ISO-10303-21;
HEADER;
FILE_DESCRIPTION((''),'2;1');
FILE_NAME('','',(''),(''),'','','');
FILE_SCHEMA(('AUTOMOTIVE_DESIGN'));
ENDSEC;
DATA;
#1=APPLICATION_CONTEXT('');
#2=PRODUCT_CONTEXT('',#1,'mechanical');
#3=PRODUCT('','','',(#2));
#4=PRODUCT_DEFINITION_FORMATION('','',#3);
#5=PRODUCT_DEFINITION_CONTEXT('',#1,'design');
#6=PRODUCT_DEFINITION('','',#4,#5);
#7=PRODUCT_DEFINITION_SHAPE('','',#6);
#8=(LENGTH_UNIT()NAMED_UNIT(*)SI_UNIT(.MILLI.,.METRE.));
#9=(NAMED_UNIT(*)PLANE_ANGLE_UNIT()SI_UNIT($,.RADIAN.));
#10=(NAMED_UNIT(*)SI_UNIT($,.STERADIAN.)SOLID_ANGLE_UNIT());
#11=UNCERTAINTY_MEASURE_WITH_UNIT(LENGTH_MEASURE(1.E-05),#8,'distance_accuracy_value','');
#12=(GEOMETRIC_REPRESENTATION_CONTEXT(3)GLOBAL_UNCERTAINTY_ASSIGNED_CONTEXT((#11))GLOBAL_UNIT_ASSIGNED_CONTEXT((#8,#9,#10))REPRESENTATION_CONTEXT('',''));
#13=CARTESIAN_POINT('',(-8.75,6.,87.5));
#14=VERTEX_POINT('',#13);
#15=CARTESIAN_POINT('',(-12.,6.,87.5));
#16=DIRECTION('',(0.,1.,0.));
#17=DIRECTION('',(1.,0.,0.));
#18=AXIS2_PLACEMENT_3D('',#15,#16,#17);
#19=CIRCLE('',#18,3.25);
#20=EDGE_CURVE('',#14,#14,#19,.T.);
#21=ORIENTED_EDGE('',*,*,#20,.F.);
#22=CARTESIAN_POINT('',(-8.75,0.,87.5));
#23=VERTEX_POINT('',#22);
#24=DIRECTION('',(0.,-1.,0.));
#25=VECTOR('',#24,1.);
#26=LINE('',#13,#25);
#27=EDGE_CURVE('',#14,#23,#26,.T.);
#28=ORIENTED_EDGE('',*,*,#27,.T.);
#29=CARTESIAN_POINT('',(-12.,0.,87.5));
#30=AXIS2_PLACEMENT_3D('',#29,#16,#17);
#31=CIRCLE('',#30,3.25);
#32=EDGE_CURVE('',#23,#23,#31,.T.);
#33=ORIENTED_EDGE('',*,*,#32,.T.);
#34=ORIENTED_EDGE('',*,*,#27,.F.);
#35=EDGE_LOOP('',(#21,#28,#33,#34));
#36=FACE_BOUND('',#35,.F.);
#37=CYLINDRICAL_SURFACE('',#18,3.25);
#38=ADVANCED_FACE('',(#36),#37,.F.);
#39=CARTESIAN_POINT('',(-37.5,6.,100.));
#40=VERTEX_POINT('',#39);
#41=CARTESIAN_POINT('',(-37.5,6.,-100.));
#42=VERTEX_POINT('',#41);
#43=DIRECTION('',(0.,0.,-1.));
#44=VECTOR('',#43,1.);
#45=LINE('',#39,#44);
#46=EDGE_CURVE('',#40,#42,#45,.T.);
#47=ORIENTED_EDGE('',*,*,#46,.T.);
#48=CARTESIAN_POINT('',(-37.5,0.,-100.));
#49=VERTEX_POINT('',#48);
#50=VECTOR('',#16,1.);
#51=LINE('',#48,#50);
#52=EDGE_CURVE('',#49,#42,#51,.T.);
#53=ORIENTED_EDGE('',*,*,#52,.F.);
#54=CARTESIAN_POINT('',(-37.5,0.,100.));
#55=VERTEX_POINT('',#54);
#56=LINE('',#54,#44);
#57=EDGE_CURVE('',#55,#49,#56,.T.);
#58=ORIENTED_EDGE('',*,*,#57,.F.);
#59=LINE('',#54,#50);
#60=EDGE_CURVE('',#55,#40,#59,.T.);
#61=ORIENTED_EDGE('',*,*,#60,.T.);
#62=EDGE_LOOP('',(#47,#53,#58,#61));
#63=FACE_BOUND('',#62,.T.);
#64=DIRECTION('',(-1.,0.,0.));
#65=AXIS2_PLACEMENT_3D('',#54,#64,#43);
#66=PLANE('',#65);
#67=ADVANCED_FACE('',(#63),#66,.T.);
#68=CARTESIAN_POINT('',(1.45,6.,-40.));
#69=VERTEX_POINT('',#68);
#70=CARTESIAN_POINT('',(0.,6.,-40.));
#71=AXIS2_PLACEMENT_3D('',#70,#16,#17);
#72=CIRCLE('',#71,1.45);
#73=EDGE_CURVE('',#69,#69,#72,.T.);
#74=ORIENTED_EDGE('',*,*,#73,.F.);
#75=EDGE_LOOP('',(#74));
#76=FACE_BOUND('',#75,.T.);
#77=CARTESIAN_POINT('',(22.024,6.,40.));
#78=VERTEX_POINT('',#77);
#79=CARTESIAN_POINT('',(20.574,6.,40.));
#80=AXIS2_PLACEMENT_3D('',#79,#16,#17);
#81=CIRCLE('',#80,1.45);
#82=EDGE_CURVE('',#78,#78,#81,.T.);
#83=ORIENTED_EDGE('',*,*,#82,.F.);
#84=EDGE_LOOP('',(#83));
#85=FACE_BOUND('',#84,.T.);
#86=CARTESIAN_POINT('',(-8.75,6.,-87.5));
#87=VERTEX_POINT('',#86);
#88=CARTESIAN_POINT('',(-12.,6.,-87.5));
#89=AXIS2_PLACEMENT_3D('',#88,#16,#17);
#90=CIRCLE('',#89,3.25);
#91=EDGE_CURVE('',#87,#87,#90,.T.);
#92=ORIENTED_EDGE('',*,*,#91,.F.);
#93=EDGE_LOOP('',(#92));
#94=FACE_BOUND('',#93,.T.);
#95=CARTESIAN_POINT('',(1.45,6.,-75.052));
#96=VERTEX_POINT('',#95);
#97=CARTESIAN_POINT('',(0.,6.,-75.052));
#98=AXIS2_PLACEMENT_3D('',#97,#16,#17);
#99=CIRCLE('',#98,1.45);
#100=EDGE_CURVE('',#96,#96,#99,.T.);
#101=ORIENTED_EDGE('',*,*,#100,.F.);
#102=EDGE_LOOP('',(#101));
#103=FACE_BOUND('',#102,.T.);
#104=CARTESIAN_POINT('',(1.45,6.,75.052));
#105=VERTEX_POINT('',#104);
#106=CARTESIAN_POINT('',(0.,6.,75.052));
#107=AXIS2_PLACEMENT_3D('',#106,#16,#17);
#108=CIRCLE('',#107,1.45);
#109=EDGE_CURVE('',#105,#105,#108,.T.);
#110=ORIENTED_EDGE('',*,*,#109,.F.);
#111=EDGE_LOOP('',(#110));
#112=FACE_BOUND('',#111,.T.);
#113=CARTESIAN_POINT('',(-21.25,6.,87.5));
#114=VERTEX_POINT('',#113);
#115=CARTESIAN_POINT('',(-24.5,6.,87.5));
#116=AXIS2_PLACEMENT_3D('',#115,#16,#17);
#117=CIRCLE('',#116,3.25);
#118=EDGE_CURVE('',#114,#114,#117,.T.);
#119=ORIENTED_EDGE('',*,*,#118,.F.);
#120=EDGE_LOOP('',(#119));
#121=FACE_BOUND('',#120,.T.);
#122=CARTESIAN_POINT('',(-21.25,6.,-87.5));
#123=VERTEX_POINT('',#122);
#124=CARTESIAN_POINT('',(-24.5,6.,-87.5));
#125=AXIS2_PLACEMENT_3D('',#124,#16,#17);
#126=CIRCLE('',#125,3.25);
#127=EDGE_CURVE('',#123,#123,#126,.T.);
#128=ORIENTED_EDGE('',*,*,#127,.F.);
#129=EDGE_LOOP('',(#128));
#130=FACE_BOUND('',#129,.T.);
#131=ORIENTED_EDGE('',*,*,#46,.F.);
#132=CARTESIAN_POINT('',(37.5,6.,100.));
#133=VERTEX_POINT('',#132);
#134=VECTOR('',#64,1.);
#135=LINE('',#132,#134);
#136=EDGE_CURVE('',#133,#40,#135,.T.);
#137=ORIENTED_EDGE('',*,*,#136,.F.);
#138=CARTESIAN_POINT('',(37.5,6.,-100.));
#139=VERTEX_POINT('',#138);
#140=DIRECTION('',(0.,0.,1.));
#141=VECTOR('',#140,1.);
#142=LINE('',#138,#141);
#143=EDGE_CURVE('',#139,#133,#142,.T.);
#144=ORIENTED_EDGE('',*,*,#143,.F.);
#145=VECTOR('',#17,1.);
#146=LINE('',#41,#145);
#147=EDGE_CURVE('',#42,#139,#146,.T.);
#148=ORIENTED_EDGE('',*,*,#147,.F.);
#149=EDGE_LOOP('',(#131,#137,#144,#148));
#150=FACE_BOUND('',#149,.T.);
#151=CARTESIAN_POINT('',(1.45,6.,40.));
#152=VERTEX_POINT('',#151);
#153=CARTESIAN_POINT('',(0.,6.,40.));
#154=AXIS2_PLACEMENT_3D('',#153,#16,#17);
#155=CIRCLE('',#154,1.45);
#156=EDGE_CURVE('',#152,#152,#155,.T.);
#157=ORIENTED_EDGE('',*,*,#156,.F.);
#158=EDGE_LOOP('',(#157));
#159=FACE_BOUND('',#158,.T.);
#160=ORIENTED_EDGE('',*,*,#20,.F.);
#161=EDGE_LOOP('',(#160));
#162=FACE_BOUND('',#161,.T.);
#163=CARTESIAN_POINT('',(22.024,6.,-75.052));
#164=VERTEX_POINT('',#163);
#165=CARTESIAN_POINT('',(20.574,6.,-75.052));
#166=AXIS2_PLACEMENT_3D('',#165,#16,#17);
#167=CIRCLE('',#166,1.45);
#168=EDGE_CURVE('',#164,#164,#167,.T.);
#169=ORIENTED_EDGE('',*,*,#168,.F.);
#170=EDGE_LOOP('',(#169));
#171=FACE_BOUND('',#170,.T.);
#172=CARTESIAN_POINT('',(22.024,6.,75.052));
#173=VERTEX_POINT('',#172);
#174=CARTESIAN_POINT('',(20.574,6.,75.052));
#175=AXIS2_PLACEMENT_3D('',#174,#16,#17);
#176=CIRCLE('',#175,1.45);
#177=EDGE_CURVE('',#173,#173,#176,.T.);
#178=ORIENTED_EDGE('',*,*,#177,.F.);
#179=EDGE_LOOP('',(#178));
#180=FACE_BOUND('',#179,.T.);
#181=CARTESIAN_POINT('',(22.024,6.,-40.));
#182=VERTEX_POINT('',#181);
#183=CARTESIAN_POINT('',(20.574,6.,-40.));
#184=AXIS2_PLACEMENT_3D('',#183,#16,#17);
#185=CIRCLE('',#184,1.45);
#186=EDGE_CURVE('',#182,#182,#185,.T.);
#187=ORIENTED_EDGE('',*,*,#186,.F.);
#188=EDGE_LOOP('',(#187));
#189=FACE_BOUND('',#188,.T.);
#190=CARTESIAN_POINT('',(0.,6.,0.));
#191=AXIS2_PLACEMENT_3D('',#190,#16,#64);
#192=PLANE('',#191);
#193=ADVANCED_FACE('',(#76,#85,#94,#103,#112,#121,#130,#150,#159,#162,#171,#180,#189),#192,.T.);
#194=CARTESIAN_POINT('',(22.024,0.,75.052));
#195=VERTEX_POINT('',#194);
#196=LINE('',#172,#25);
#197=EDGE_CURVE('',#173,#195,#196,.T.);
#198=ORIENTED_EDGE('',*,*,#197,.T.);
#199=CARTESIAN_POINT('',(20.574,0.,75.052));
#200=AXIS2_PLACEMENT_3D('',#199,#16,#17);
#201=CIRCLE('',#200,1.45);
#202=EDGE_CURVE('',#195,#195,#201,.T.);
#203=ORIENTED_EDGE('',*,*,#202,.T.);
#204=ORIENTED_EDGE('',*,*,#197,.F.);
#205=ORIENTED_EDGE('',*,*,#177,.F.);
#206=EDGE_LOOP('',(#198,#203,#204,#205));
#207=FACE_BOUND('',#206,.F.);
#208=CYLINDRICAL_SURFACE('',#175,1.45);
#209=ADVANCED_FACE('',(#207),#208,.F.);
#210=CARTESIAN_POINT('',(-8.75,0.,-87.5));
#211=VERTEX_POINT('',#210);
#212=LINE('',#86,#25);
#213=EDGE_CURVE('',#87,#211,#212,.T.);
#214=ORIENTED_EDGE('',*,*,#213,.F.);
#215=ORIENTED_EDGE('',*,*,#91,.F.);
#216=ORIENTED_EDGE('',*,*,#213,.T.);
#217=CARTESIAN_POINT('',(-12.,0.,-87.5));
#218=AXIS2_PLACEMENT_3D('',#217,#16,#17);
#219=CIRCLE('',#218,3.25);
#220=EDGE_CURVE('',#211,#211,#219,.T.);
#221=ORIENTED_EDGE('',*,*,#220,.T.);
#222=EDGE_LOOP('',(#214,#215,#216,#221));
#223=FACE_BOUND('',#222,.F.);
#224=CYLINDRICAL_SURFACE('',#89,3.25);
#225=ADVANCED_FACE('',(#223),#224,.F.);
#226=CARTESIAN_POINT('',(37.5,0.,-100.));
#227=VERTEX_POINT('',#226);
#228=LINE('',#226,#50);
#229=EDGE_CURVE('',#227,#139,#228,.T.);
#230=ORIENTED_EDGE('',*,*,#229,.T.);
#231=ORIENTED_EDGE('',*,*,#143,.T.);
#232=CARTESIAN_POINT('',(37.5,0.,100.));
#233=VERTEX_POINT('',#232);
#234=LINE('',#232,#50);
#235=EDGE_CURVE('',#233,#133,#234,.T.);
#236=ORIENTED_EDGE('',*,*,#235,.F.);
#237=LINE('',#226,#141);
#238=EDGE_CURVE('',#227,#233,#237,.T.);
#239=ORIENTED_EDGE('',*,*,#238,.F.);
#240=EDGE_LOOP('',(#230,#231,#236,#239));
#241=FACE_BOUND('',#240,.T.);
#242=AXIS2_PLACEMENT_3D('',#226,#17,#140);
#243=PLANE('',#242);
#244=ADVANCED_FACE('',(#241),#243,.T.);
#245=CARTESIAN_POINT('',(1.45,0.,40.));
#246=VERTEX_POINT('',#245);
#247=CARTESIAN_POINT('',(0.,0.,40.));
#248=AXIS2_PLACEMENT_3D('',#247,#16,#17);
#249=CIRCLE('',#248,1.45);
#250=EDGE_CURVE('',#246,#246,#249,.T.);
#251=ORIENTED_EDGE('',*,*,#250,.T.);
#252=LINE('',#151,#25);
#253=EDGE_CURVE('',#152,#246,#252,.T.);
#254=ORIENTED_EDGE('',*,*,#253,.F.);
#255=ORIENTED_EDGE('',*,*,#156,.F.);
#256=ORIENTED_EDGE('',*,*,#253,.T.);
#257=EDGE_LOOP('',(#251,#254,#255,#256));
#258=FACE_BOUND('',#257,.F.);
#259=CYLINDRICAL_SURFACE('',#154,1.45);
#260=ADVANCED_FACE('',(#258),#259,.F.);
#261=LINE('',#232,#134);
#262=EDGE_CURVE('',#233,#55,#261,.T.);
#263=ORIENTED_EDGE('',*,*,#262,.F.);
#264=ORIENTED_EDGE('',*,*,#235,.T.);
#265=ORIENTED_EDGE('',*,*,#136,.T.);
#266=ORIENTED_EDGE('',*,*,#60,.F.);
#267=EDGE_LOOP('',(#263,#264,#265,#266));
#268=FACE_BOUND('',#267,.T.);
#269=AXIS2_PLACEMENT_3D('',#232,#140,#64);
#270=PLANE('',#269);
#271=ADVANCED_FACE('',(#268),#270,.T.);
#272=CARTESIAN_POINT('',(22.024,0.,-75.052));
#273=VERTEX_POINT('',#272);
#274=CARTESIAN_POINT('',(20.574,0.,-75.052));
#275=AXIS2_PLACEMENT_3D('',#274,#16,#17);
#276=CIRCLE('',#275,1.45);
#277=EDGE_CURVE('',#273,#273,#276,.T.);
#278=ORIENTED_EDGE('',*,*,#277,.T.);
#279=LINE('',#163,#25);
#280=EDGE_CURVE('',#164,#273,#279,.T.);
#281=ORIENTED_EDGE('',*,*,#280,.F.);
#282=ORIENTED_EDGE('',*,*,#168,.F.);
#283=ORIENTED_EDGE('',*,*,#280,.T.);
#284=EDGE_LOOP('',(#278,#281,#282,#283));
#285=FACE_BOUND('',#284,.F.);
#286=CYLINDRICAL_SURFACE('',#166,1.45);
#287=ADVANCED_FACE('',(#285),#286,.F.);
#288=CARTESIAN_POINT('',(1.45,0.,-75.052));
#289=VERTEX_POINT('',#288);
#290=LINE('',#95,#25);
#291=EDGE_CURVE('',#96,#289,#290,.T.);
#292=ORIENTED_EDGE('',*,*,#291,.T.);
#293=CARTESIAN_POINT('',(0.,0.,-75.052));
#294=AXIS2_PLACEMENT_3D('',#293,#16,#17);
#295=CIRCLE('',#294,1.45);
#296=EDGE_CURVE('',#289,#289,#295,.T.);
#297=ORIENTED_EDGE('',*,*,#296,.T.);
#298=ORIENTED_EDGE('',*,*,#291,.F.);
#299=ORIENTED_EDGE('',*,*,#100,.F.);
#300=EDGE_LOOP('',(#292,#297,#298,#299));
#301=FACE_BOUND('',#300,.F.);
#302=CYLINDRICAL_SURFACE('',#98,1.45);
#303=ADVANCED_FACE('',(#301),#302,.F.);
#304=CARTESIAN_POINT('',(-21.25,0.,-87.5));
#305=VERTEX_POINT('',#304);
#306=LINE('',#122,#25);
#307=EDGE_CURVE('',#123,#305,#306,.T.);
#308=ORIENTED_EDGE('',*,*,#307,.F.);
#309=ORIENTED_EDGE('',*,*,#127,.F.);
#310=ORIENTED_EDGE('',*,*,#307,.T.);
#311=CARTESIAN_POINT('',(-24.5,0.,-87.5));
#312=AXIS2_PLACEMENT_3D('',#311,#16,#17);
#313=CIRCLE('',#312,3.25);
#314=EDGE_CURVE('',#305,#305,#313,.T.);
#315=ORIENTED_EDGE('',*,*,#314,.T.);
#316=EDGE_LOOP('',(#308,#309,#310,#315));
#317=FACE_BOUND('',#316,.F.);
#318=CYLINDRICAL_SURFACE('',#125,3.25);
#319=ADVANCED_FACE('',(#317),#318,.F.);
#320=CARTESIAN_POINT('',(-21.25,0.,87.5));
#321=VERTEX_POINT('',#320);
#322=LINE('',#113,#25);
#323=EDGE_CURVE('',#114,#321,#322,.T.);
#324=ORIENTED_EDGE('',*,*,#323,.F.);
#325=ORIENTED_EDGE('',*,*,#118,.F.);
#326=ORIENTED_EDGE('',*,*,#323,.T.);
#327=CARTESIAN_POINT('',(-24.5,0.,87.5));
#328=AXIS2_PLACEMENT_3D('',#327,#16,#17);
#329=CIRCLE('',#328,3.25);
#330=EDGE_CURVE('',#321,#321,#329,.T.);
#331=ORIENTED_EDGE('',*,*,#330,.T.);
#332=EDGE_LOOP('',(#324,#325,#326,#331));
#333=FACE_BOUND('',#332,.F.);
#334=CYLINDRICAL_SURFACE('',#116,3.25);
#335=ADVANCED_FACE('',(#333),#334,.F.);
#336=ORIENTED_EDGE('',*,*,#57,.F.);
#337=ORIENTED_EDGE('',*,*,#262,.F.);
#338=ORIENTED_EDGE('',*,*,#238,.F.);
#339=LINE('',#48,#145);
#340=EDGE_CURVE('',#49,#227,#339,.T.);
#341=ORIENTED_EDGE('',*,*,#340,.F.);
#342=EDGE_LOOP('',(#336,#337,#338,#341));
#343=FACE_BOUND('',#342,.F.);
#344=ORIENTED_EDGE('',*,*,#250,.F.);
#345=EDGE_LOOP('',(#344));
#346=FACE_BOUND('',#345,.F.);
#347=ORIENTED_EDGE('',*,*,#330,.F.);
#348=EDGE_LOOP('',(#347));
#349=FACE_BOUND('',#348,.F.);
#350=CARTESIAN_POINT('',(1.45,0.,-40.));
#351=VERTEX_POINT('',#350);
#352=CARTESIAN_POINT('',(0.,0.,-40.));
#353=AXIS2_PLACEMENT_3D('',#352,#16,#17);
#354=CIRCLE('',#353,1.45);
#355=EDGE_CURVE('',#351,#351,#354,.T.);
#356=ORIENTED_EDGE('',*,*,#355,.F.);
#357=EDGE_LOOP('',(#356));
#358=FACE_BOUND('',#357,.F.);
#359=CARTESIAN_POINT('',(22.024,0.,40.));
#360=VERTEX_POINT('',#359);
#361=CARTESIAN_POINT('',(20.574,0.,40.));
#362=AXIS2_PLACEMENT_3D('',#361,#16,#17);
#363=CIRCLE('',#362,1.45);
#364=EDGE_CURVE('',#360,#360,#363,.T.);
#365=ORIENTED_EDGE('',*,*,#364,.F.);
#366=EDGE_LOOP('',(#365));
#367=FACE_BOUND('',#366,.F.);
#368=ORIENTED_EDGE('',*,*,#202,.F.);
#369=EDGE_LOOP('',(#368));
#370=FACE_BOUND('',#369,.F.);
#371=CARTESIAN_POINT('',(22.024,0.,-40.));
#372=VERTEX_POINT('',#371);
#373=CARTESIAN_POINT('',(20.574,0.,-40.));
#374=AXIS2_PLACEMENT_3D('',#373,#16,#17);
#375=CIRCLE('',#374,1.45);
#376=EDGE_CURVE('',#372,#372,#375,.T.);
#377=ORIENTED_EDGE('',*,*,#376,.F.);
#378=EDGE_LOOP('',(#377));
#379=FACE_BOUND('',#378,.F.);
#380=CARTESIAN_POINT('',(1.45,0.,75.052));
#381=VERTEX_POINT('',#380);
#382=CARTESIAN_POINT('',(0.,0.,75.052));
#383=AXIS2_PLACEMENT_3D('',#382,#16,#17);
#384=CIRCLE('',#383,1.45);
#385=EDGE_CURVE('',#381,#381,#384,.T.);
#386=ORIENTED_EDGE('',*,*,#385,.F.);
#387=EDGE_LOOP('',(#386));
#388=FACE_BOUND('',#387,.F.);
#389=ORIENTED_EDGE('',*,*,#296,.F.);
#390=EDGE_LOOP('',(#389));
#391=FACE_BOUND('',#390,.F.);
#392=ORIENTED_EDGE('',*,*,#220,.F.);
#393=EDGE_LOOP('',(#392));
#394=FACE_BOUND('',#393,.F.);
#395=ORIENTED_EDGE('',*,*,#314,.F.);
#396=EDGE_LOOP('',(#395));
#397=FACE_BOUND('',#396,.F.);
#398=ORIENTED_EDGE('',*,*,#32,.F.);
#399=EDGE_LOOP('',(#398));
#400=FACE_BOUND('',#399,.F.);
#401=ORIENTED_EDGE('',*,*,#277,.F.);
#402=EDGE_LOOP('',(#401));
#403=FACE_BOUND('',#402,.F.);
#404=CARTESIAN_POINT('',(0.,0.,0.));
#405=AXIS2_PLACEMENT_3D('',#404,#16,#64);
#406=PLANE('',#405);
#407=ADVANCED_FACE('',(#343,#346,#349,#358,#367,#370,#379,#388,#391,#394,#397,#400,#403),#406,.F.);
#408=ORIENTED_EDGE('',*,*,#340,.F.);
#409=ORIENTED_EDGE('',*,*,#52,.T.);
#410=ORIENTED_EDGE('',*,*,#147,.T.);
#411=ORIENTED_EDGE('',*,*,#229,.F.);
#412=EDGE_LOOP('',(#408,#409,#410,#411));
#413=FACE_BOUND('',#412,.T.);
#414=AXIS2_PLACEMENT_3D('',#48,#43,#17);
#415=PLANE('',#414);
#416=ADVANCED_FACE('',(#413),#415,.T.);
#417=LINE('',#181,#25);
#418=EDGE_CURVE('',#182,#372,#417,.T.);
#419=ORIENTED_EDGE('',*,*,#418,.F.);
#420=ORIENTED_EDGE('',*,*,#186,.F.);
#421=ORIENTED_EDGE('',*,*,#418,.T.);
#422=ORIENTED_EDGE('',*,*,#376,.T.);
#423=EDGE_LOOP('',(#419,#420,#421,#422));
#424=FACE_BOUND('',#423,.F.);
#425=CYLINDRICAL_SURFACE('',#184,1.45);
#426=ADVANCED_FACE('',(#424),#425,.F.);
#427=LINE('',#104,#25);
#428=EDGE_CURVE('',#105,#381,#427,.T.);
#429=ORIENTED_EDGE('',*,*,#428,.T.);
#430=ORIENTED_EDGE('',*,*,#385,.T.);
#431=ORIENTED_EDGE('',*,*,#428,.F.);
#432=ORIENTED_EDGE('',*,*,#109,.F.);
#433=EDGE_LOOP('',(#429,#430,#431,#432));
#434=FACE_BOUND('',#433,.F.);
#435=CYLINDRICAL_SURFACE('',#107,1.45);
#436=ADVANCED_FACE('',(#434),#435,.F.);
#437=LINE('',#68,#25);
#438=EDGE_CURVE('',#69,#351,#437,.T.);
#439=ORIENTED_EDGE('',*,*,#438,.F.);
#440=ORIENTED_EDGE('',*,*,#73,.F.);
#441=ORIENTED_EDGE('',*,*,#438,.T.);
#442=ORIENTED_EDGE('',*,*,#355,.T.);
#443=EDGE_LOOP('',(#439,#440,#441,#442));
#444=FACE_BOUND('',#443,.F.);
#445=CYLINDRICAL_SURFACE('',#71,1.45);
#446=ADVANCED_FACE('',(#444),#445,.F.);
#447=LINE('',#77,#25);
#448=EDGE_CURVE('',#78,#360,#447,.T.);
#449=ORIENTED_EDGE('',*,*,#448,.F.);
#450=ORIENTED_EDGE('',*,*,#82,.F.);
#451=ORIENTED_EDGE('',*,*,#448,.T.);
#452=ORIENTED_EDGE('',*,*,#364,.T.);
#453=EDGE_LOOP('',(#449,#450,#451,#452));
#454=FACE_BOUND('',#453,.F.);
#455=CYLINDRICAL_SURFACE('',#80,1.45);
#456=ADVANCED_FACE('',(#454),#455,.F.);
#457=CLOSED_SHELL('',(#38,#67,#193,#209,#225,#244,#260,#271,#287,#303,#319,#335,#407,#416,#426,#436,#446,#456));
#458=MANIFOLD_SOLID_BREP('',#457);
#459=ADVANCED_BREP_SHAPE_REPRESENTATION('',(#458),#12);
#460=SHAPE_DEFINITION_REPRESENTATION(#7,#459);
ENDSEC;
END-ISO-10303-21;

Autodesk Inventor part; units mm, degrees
ref_plane "YZ Plane" through (0, 0, 0) normal (1, 0, 0) x (0, 1, 0)
ref_plane "XZ Plane" through (0, 0, 0) normal (0, 1, 0) x (-1, 0, 0)
ref_plane "XY Plane" through (0, 0, 0) normal (0, 0, 1) x (1, 0, 0)
sketch "Sketch1" plane through (0, 0, 0) normal (0, 1, 0) x (-1, 0, 0)
  line L0 (-37.5, 100) -> (37.5, 100)
  line L1 (37.5, 100) -> (37.5, -100)
  line L2 (37.5, -100) -> (-37.5, -100)
  line L3 (-37.5, -100) -> (-37.5, 100)
  line L4 (-37.5, 100) -> (37.5, -100) construction
  line L5 (37.5, 100) -> (-37.5, -100) construction
  point P0 (0, 0)
  dimension "d0" = 200
  dimension "d1" = 75
extrude "Extrusion1" add sketch "Sketch1" along normal blind 6
sketch "Sketch2" plane through (0, 6, 0) normal (0, 1, 0) x (1, 0, 0)
  circle A0 centre (-24.5, -87.5) radius 3.25
  circle A1 centre (-12, -87.5) radius 3.25
  circle A2 centre (-24.5, 87.5) radius 3.25
  circle A3 centre (-12, 87.5) radius 3.25
  line L0 (-37.5, 100) -> (-37.5, -100) projected
  line L1 (-37.5, -100) -> (37.5, -100) projected
  line L2 (37.5, 100) -> (-37.5, 100) projected
  point P0 (0, 0)
  dimension "d4" = 6.5
  dimension "d5" = 6.5
  dimension "d6" = 12.5
  dimension "d7" = 13
  dimension "d8" = 12.5
  dimension "d9" = 12.5
  dimension "d10" = 6.5
  dimension "d11" = 6.5
  dimension "d12" = 12.5
  dimension "d13" = 13
  dimension "d14" = 12.5
  dimension "d15" = 12.5
extrude "Extrusion2" cut sketch "Sketch2" against normal through all
sketch "Sketch3" plane through (0, 6, 0) normal (0, 1, 0) x (1, 0, 0)
  circle A0 centre (0, -75.052) radius 1.45
  circle A1 centre (20.574, -75.052) radius 1.45
  circle A2 centre (0, -40) radius 1.45
  circle A3 centre (20.574, -40) radius 1.45
  circle A4 centre (0, 40) radius 1.45
  circle A5 centre (20.574, 40) radius 1.45
  circle A6 centre (0, 75.052) radius 1.45
  circle A7 centre (20.574, 75.052) radius 1.45
  point P0 (0, 0)
  dimension "d18" = 2.9
  dimension "d19" = 2.9
  dimension "d20" = 2.9
  dimension "d21" = 2.9
  dimension "d22" = 20.574
  dimension "d23" = 35.052
  dimension "d24" = 35.052
  dimension "d25" = 20.574
  dimension "d26" = 0
  dimension "d27" = 40
  dimension "d28" = 2.9
  dimension "d29" = 2.9
  dimension "d30" = 2.9
  dimension "d31" = 2.9
  dimension "d32" = 20.574
  dimension "d33" = 35.052
  dimension "d34" = 35.052
  dimension "d35" = 20.574
  dimension "d36" = 0
  dimension "d37" = 0
  dimension "d38" = 40
  dimension "d39" = 40
  dimension "d42" = 0
  dimension "d43" = 40
extrude "Extrusion3" cut sketch "Sketch3" against normal through all
properties part number "shelf"
